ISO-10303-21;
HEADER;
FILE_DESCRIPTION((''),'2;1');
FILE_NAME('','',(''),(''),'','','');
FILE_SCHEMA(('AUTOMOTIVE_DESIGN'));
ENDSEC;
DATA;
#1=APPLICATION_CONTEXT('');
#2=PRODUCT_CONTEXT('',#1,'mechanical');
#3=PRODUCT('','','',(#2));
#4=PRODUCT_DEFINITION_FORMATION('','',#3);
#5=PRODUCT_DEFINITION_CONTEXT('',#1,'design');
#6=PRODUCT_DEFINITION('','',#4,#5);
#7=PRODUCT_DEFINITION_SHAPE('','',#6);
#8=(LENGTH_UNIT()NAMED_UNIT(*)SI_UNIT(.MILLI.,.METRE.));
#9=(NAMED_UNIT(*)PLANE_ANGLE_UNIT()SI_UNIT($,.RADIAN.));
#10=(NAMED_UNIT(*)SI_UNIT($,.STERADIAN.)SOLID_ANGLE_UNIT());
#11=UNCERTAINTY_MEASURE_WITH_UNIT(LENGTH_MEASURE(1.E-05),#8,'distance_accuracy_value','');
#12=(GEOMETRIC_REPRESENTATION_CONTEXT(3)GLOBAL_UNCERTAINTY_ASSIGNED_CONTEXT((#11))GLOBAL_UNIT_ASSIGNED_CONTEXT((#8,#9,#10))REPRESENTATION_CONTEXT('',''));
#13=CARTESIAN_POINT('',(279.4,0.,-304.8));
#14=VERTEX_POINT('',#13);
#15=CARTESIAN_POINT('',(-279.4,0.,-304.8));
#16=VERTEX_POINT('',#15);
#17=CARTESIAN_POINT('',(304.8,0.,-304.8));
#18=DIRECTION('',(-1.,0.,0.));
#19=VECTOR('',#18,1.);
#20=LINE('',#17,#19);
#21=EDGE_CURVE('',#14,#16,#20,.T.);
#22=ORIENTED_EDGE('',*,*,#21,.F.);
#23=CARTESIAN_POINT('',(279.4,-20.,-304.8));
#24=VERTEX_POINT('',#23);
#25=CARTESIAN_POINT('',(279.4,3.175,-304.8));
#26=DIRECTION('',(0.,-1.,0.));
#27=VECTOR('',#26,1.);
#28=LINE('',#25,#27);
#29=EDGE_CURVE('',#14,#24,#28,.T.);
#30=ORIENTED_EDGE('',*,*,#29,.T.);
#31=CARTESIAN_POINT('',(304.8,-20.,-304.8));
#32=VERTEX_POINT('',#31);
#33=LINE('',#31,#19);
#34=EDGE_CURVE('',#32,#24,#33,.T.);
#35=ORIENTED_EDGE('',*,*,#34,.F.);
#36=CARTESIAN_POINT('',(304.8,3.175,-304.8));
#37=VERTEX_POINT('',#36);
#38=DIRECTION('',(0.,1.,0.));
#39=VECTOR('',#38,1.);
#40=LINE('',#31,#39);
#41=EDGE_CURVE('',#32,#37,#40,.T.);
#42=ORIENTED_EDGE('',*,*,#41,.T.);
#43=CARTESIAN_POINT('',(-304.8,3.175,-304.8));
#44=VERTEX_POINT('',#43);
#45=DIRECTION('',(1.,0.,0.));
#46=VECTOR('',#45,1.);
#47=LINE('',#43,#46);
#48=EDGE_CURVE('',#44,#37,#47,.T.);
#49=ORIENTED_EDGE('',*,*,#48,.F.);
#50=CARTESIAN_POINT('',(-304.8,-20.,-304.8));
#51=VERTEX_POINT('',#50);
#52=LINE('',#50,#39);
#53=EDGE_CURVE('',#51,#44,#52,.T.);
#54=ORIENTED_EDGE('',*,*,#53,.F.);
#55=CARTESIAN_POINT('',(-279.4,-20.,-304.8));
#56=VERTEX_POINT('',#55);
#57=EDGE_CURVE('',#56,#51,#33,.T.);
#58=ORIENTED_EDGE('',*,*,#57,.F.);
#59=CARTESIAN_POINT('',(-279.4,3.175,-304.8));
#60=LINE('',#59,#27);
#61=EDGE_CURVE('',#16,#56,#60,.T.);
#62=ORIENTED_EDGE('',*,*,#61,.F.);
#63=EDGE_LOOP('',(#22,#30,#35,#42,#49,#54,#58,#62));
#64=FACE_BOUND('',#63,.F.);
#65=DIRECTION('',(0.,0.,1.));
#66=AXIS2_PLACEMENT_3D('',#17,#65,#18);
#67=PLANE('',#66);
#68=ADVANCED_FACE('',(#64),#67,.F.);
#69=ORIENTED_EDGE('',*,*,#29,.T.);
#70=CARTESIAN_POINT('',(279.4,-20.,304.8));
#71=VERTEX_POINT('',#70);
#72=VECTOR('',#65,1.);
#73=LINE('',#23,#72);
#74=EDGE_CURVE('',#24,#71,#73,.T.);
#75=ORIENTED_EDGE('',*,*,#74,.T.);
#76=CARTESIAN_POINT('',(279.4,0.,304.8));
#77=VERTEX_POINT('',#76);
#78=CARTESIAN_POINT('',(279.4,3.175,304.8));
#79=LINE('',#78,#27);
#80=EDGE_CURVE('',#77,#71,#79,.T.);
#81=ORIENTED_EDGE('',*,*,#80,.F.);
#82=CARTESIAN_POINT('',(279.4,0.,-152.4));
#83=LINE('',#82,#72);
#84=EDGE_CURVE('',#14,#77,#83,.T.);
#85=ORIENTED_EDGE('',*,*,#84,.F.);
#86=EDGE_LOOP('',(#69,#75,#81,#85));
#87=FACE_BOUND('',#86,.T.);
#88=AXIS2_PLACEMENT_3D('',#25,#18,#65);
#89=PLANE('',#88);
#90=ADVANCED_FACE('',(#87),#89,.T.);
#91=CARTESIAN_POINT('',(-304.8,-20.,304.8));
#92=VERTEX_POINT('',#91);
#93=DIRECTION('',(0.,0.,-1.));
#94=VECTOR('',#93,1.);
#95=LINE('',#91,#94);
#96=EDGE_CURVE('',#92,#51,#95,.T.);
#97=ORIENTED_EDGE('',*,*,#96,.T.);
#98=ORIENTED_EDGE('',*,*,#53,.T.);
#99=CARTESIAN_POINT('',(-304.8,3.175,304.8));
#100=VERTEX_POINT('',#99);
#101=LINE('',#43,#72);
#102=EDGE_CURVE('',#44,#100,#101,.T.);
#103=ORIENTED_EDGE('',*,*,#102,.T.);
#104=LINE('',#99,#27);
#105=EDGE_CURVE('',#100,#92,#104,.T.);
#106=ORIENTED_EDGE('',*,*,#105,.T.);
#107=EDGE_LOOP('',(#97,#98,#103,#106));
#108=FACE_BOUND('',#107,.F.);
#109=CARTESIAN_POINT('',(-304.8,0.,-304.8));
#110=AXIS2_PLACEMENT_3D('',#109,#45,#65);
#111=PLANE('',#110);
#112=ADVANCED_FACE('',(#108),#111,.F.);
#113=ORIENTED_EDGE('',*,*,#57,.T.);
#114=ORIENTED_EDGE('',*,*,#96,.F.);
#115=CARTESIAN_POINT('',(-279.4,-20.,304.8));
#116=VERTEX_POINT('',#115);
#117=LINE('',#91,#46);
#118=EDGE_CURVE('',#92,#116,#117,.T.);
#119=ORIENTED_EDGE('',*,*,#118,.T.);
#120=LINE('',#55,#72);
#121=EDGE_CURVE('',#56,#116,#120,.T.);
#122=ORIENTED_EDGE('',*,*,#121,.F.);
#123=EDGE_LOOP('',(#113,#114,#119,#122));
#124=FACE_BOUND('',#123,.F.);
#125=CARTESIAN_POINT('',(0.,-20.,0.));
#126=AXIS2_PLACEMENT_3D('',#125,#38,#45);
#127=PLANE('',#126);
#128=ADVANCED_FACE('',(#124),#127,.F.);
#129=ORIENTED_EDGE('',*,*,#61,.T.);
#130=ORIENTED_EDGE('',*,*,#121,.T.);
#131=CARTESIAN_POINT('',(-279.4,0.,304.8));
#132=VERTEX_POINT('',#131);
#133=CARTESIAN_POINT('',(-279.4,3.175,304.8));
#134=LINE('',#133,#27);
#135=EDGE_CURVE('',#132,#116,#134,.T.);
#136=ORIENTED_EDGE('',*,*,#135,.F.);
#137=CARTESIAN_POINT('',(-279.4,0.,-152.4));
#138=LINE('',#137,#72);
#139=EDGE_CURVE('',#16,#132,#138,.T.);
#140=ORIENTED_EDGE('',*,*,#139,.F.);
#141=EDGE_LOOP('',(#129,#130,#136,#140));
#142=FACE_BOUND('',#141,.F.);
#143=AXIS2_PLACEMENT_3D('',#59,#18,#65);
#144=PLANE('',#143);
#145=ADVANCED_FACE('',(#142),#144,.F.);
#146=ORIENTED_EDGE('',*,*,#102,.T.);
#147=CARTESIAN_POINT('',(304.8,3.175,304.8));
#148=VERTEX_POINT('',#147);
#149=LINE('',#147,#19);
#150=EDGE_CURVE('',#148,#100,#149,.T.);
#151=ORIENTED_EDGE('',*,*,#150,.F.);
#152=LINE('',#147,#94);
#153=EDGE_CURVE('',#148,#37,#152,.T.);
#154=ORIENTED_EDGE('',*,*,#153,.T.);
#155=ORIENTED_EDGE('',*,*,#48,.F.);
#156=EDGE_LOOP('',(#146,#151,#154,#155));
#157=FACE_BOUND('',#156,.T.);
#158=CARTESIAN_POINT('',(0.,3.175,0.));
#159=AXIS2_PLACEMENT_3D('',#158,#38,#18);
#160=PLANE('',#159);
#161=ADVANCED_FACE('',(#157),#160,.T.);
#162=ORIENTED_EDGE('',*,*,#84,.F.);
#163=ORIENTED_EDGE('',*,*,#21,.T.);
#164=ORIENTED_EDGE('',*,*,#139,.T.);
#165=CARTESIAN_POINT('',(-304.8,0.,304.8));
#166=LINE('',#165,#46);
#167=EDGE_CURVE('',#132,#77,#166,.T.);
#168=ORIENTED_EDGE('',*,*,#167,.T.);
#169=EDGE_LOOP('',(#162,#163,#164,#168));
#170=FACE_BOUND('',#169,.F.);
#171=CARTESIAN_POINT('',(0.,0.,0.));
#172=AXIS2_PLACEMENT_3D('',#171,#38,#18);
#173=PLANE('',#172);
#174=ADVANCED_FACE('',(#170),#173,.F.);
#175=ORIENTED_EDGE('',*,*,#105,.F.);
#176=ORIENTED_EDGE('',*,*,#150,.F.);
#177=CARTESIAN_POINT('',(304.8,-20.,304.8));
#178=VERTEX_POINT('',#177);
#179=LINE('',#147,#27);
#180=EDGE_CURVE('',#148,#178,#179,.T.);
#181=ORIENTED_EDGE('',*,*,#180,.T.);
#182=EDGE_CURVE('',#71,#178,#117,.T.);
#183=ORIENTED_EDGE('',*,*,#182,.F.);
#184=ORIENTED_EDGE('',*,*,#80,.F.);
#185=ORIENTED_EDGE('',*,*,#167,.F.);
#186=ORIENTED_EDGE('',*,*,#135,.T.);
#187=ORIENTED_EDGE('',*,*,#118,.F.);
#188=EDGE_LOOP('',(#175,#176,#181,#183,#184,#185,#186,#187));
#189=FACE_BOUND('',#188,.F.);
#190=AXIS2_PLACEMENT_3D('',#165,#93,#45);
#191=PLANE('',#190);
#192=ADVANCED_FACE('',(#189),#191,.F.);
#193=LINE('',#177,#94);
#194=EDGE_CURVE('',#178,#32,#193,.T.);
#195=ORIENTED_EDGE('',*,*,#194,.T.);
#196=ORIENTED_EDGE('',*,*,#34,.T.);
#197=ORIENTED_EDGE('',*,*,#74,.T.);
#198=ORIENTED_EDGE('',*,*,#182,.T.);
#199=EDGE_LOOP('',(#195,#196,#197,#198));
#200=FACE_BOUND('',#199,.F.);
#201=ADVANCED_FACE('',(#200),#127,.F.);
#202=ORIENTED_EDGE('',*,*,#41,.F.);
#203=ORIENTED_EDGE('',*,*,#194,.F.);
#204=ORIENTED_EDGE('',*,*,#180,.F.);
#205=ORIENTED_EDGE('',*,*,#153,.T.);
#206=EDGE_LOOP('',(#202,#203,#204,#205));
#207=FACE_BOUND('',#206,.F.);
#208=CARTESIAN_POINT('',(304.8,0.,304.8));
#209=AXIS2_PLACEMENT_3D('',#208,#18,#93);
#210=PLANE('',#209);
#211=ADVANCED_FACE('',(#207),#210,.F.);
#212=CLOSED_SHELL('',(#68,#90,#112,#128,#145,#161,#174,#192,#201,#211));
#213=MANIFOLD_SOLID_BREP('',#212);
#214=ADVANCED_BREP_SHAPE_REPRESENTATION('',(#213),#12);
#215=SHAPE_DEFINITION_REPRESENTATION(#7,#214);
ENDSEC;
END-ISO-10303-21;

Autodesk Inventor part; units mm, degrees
ref_plane "YZ Plane" through (0, 0, 0) normal (1, 0, 0) x (0, 1, 0)
ref_plane "XZ Plane" through (0, 0, 0) normal (0, 1, 0) x (-1, 0, 0)
ref_plane "XY Plane" through (0, 0, 0) normal (0, 0, 1) x (1, 0, 0)
sketch "Sketch2" plane through (0, 0, 0) normal (0, 1, 0) x (-1, 0, 0)
  line L0 (-304.8, -304.8) -> (304.8, -304.8)
  line L1 (304.8, -304.8) -> (304.8, 304.8)
  line L2 (304.8, 304.8) -> (-304.8, 304.8)
  line L3 (-304.8, 304.8) -> (-304.8, -304.8)
  line L4 (-304.8, -304.8) -> (304.8, 304.8) construction
  line L5 (304.8, -304.8) -> (-304.8, 304.8) construction
  point P0 (0, 0)
  dimension "d4" = 609.6
  dimension "d5" = 609.6
extrude "Extrusion2" add sketch "Sketch2" along normal blind 3.175
sketch "Sketch3" plane through (0, 3.175, 0) normal (0, 1, 0) x (1, 0, 0)
  line L0 (304.8, 304.8) -> (-304.8, 304.8) projected
  line L1 (-304.8, -304.8) -> (304.8, -304.8) projected
  line L2 (-304.8, 304.8) -> (-279.4, 304.8)
  line L3 (-279.4, 304.8) -> (-279.4, -304.8)
  line L4 (-279.4, -304.8) -> (-304.8, -304.8)
  line L5 (-304.8, -304.8) -> (-304.8, 304.8)
  line L6 (304.8, 304.8) -> (279.4, 304.8)
  line L7 (279.4, 304.8) -> (279.4, -304.8)
  line L8 (279.4, -304.8) -> (304.8, -304.8)
  line L9 (304.8, -304.8) -> (304.8, 304.8)
  line L10 (304.8, 304.8) -> (-304.8, 304.8) projected
  line L11 (304.8, -304.8) -> (304.8, 304.8) projected
  line L12 (-304.8, -304.8) -> (304.8, -304.8) projected
  line L13 (-304.8, 304.8) -> (-304.8, -304.8) projected
  line L14 (-304.8, -304.8) -> (-279.4, -304.8)
  line L15 (-279.4, -304.8) -> (-279.4, 318.078)
  line L16 (-279.4, 318.078) -> (-304.8, 318.078)
  line L17 (-304.8, 318.078) -> (-304.8, -304.8)
  line L18 (304.8, -304.8) -> (304.8, 304.8) projected
  line L19 (304.8, -304.8) -> (279.4, -304.8)
  line L20 (279.4, -304.8) -> (279.4, 304.8)
  line L21 (279.4, 304.8) -> (304.8, 304.8)
  line L22 (304.8, 304.8) -> (304.8, -304.8)
  line L23 (-304.8, 304.8) -> (-304.8, -304.8) projected
  line L24 (-304.8, -304.8) -> (-279.4, -304.8)
  line L25 (-279.4, -304.8) -> (-279.4, 304.8)
  line L26 (-279.4, 304.8) -> (-304.8, 304.8)
  line L27 (-304.8, 304.8) -> (-304.8, -304.8)
  point P0 (0, 0)
  dimension "d8" = 25.4
  dimension "d9" = 25.4
extrude "Extrusion3" add sketch "Sketch3" against normal blind 23.175 contours L9 L1 L7 L0 | L3 L1 L5 L0
ref_plane "Work Plane1" through (0, 3.175, 304.8) normal (1, 0, 0) x (0, 0, -1)
properties part number "Alum Bed plate"
